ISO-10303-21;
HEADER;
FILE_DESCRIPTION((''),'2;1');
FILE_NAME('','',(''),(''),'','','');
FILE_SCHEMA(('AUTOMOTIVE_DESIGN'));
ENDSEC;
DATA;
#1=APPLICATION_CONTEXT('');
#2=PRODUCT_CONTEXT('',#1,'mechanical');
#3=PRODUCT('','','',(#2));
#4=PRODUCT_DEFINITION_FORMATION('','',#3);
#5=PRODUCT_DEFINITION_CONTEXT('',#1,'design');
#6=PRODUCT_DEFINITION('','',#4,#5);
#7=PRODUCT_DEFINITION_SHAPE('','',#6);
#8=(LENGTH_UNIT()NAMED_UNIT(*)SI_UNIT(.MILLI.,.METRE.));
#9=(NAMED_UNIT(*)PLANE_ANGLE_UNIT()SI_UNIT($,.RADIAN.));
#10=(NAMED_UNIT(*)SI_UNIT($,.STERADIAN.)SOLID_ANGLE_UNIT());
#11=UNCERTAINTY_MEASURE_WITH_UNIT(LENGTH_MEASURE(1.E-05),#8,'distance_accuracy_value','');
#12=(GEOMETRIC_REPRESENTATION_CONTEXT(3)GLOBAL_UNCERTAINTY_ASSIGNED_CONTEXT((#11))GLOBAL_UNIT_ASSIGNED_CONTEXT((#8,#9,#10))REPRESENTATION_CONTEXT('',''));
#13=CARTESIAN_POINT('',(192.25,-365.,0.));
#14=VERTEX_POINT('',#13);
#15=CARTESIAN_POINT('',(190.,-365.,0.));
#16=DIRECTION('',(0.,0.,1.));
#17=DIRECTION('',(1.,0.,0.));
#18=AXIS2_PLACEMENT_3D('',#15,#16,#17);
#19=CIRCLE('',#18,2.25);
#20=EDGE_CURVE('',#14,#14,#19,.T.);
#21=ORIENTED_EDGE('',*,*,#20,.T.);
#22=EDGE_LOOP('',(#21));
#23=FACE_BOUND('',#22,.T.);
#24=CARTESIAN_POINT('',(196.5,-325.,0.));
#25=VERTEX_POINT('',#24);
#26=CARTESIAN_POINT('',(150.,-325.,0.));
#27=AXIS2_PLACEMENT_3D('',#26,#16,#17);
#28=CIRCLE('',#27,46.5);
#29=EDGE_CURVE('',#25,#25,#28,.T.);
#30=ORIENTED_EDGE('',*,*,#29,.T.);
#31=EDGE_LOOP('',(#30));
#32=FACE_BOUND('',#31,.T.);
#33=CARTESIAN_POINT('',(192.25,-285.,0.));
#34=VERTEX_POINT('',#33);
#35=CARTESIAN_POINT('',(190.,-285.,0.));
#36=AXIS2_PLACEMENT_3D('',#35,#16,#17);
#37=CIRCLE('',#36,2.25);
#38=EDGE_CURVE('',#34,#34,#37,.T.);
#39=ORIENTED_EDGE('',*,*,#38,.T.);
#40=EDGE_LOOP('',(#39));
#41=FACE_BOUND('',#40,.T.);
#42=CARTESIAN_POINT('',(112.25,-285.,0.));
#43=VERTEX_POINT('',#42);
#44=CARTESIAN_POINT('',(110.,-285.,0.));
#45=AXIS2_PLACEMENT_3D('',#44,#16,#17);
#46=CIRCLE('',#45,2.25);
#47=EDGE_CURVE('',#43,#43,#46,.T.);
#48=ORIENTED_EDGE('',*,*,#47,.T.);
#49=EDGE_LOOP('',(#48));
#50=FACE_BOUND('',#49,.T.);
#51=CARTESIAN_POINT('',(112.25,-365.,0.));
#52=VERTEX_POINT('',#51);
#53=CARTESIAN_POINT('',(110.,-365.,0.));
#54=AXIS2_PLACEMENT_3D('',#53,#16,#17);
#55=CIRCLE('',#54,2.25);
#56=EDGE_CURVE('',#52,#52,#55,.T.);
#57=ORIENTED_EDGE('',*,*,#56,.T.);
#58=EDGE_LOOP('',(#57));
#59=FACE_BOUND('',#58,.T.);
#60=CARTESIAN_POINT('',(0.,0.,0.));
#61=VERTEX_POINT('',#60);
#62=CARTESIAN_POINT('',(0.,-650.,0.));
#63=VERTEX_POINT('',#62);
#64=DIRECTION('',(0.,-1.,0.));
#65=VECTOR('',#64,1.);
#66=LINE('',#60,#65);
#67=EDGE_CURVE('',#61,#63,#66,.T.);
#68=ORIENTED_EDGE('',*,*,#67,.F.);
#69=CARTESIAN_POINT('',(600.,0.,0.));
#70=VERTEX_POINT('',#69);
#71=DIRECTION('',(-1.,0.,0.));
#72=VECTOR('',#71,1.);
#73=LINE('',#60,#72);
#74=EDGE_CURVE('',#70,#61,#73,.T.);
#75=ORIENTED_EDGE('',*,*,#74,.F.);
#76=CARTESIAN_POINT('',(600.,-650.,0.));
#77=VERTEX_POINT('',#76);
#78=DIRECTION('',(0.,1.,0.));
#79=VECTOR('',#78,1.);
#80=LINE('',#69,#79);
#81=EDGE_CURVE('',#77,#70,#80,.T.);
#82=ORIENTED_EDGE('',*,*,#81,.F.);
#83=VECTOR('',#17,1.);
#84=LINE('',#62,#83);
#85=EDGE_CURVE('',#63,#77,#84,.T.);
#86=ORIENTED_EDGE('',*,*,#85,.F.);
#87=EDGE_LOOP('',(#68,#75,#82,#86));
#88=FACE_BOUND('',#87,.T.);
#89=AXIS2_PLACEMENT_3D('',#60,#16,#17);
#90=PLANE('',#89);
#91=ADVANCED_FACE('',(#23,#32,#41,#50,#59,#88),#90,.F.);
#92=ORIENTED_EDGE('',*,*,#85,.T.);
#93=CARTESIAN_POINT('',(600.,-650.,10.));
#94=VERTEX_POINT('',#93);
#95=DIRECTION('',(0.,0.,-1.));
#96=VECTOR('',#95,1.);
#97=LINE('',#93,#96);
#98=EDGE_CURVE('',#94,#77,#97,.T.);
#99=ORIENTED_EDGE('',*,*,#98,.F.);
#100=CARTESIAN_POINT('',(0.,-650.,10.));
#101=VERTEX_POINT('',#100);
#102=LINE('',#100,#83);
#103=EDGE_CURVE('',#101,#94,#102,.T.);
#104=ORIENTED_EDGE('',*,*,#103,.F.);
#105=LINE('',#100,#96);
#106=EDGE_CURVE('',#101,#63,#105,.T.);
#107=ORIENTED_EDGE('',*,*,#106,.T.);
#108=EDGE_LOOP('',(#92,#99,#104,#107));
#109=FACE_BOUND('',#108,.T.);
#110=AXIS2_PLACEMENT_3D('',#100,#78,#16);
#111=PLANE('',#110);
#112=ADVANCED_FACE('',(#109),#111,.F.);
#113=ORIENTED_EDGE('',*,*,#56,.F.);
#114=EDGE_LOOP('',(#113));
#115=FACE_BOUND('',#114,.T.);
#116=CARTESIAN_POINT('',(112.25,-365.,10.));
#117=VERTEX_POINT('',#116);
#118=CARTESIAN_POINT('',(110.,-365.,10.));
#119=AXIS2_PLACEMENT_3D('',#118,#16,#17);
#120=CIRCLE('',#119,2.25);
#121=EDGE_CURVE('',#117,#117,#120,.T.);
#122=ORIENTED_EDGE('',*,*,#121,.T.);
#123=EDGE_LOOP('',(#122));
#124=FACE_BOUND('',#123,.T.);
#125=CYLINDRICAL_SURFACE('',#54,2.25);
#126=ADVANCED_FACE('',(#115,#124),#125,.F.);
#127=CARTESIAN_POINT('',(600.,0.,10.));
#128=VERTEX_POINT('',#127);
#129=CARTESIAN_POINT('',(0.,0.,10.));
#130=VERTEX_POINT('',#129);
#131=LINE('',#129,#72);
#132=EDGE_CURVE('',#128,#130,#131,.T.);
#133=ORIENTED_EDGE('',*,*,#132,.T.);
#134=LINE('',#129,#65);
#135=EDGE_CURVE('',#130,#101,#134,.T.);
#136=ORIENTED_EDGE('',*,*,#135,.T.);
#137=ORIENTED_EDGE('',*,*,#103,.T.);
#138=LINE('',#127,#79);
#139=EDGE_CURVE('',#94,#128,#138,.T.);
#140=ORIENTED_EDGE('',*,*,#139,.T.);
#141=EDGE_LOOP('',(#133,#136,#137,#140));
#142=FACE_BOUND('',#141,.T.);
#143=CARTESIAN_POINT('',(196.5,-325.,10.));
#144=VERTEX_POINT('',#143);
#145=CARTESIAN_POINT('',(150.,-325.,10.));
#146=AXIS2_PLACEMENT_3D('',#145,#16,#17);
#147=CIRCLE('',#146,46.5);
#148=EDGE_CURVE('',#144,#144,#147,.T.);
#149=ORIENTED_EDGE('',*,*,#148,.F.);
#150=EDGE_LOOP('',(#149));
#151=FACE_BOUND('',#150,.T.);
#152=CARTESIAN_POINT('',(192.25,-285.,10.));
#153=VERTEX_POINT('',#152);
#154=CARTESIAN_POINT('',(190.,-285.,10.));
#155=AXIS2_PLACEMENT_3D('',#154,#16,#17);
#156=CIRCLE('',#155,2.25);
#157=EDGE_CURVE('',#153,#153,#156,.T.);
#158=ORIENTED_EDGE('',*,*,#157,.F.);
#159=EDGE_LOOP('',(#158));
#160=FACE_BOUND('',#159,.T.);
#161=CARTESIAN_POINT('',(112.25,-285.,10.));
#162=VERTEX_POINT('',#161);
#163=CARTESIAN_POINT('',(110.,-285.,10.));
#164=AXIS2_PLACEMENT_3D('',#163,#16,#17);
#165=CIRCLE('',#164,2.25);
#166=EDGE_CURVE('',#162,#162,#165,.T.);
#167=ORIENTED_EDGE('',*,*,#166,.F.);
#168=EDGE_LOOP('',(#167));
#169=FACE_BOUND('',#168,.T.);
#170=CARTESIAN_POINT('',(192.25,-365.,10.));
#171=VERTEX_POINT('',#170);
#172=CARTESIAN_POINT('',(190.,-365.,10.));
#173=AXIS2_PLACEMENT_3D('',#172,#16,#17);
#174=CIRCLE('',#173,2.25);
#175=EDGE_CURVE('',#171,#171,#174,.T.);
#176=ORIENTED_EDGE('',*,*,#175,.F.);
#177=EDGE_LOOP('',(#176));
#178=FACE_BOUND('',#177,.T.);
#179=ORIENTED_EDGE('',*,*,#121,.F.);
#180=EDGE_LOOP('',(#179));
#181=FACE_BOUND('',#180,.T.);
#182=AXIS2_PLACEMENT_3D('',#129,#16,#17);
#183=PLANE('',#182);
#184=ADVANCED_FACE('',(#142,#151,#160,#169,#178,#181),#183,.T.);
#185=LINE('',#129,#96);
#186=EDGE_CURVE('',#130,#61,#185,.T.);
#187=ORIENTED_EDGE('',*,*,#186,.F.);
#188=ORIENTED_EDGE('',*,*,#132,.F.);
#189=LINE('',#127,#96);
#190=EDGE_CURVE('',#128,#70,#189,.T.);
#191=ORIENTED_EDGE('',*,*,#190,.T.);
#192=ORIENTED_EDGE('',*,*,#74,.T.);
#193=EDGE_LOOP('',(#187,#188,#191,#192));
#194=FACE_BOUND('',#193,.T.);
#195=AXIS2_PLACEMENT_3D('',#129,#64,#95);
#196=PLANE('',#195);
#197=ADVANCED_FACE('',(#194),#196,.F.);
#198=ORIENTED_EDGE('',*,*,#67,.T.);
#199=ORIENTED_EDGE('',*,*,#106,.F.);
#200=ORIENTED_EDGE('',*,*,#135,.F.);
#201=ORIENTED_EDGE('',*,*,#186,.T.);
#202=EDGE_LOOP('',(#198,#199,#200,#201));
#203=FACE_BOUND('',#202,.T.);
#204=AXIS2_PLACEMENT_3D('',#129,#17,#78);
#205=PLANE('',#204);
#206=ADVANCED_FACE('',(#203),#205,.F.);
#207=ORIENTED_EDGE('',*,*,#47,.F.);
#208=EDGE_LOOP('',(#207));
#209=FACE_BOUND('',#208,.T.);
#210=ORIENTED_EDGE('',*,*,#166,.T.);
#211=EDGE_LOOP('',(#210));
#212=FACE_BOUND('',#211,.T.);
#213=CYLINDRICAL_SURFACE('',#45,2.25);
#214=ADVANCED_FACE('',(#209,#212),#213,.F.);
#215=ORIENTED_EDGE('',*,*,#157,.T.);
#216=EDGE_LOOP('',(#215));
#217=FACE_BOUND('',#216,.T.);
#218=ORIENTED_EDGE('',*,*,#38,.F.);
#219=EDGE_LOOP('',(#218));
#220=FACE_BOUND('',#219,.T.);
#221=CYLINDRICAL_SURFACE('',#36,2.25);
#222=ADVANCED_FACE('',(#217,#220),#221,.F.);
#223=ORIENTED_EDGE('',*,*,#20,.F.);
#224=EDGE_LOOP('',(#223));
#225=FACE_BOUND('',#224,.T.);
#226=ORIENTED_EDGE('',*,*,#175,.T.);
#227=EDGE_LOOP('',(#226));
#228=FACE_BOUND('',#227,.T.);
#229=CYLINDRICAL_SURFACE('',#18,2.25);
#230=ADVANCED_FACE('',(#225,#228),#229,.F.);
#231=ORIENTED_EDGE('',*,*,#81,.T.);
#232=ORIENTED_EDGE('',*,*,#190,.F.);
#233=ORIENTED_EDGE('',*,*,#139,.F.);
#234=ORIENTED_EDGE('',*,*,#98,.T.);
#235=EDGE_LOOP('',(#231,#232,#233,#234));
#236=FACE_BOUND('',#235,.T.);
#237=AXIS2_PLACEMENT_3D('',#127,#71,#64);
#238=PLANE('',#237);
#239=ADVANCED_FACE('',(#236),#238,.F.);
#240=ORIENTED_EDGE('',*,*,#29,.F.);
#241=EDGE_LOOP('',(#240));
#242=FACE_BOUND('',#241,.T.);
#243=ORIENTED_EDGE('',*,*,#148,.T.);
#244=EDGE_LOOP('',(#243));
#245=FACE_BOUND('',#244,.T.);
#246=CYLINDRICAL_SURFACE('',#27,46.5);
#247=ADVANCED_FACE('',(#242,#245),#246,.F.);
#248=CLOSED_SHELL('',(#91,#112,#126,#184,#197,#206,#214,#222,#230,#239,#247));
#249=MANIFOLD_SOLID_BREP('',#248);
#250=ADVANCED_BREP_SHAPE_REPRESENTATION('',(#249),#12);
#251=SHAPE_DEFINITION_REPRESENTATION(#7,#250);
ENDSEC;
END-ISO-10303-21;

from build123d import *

# Parameters (mm, degrees)
ESQUISSE1_W             = 600
ESQUISSE1_H             = 650
BOSS_EXTRU_1_DEPTH      = 10
ESQUISSE2_R             = 46.5
ESQUISSE2_R_2           = 2.25
ENL_V_MAT_EXTRU_1_DEPTH = 10


with BuildPart() as part:
    # Esquisse1 → Boss.-Extru.1 (new body)
    with BuildSketch(Plane.XY):
        with Locations((300, -325)):
            Rectangle(ESQUISSE1_W, ESQUISSE1_H)
    extrude(amount=BOSS_EXTRU_1_DEPTH)

    # Esquisse2 → Enlèv. mat.-Extru.1 (cut)
    with BuildSketch(Plane.XY.offset(10)):
        with Locations((150, -325)):
            Circle(ESQUISSE2_R)
        with Locations((110, -285)):
            Circle(ESQUISSE2_R_2)
        with Locations((190, -285)):
            Circle(ESQUISSE2_R_2)
        with Locations((190, -365)):
            Circle(ESQUISSE2_R_2)
        with Locations((110, -365)):
            Circle(ESQUISSE2_R_2)
    extrude(amount=-ENL_V_MAT_EXTRU_1_DEPTH, mode=Mode.SUBTRACT)


solid = part.part
